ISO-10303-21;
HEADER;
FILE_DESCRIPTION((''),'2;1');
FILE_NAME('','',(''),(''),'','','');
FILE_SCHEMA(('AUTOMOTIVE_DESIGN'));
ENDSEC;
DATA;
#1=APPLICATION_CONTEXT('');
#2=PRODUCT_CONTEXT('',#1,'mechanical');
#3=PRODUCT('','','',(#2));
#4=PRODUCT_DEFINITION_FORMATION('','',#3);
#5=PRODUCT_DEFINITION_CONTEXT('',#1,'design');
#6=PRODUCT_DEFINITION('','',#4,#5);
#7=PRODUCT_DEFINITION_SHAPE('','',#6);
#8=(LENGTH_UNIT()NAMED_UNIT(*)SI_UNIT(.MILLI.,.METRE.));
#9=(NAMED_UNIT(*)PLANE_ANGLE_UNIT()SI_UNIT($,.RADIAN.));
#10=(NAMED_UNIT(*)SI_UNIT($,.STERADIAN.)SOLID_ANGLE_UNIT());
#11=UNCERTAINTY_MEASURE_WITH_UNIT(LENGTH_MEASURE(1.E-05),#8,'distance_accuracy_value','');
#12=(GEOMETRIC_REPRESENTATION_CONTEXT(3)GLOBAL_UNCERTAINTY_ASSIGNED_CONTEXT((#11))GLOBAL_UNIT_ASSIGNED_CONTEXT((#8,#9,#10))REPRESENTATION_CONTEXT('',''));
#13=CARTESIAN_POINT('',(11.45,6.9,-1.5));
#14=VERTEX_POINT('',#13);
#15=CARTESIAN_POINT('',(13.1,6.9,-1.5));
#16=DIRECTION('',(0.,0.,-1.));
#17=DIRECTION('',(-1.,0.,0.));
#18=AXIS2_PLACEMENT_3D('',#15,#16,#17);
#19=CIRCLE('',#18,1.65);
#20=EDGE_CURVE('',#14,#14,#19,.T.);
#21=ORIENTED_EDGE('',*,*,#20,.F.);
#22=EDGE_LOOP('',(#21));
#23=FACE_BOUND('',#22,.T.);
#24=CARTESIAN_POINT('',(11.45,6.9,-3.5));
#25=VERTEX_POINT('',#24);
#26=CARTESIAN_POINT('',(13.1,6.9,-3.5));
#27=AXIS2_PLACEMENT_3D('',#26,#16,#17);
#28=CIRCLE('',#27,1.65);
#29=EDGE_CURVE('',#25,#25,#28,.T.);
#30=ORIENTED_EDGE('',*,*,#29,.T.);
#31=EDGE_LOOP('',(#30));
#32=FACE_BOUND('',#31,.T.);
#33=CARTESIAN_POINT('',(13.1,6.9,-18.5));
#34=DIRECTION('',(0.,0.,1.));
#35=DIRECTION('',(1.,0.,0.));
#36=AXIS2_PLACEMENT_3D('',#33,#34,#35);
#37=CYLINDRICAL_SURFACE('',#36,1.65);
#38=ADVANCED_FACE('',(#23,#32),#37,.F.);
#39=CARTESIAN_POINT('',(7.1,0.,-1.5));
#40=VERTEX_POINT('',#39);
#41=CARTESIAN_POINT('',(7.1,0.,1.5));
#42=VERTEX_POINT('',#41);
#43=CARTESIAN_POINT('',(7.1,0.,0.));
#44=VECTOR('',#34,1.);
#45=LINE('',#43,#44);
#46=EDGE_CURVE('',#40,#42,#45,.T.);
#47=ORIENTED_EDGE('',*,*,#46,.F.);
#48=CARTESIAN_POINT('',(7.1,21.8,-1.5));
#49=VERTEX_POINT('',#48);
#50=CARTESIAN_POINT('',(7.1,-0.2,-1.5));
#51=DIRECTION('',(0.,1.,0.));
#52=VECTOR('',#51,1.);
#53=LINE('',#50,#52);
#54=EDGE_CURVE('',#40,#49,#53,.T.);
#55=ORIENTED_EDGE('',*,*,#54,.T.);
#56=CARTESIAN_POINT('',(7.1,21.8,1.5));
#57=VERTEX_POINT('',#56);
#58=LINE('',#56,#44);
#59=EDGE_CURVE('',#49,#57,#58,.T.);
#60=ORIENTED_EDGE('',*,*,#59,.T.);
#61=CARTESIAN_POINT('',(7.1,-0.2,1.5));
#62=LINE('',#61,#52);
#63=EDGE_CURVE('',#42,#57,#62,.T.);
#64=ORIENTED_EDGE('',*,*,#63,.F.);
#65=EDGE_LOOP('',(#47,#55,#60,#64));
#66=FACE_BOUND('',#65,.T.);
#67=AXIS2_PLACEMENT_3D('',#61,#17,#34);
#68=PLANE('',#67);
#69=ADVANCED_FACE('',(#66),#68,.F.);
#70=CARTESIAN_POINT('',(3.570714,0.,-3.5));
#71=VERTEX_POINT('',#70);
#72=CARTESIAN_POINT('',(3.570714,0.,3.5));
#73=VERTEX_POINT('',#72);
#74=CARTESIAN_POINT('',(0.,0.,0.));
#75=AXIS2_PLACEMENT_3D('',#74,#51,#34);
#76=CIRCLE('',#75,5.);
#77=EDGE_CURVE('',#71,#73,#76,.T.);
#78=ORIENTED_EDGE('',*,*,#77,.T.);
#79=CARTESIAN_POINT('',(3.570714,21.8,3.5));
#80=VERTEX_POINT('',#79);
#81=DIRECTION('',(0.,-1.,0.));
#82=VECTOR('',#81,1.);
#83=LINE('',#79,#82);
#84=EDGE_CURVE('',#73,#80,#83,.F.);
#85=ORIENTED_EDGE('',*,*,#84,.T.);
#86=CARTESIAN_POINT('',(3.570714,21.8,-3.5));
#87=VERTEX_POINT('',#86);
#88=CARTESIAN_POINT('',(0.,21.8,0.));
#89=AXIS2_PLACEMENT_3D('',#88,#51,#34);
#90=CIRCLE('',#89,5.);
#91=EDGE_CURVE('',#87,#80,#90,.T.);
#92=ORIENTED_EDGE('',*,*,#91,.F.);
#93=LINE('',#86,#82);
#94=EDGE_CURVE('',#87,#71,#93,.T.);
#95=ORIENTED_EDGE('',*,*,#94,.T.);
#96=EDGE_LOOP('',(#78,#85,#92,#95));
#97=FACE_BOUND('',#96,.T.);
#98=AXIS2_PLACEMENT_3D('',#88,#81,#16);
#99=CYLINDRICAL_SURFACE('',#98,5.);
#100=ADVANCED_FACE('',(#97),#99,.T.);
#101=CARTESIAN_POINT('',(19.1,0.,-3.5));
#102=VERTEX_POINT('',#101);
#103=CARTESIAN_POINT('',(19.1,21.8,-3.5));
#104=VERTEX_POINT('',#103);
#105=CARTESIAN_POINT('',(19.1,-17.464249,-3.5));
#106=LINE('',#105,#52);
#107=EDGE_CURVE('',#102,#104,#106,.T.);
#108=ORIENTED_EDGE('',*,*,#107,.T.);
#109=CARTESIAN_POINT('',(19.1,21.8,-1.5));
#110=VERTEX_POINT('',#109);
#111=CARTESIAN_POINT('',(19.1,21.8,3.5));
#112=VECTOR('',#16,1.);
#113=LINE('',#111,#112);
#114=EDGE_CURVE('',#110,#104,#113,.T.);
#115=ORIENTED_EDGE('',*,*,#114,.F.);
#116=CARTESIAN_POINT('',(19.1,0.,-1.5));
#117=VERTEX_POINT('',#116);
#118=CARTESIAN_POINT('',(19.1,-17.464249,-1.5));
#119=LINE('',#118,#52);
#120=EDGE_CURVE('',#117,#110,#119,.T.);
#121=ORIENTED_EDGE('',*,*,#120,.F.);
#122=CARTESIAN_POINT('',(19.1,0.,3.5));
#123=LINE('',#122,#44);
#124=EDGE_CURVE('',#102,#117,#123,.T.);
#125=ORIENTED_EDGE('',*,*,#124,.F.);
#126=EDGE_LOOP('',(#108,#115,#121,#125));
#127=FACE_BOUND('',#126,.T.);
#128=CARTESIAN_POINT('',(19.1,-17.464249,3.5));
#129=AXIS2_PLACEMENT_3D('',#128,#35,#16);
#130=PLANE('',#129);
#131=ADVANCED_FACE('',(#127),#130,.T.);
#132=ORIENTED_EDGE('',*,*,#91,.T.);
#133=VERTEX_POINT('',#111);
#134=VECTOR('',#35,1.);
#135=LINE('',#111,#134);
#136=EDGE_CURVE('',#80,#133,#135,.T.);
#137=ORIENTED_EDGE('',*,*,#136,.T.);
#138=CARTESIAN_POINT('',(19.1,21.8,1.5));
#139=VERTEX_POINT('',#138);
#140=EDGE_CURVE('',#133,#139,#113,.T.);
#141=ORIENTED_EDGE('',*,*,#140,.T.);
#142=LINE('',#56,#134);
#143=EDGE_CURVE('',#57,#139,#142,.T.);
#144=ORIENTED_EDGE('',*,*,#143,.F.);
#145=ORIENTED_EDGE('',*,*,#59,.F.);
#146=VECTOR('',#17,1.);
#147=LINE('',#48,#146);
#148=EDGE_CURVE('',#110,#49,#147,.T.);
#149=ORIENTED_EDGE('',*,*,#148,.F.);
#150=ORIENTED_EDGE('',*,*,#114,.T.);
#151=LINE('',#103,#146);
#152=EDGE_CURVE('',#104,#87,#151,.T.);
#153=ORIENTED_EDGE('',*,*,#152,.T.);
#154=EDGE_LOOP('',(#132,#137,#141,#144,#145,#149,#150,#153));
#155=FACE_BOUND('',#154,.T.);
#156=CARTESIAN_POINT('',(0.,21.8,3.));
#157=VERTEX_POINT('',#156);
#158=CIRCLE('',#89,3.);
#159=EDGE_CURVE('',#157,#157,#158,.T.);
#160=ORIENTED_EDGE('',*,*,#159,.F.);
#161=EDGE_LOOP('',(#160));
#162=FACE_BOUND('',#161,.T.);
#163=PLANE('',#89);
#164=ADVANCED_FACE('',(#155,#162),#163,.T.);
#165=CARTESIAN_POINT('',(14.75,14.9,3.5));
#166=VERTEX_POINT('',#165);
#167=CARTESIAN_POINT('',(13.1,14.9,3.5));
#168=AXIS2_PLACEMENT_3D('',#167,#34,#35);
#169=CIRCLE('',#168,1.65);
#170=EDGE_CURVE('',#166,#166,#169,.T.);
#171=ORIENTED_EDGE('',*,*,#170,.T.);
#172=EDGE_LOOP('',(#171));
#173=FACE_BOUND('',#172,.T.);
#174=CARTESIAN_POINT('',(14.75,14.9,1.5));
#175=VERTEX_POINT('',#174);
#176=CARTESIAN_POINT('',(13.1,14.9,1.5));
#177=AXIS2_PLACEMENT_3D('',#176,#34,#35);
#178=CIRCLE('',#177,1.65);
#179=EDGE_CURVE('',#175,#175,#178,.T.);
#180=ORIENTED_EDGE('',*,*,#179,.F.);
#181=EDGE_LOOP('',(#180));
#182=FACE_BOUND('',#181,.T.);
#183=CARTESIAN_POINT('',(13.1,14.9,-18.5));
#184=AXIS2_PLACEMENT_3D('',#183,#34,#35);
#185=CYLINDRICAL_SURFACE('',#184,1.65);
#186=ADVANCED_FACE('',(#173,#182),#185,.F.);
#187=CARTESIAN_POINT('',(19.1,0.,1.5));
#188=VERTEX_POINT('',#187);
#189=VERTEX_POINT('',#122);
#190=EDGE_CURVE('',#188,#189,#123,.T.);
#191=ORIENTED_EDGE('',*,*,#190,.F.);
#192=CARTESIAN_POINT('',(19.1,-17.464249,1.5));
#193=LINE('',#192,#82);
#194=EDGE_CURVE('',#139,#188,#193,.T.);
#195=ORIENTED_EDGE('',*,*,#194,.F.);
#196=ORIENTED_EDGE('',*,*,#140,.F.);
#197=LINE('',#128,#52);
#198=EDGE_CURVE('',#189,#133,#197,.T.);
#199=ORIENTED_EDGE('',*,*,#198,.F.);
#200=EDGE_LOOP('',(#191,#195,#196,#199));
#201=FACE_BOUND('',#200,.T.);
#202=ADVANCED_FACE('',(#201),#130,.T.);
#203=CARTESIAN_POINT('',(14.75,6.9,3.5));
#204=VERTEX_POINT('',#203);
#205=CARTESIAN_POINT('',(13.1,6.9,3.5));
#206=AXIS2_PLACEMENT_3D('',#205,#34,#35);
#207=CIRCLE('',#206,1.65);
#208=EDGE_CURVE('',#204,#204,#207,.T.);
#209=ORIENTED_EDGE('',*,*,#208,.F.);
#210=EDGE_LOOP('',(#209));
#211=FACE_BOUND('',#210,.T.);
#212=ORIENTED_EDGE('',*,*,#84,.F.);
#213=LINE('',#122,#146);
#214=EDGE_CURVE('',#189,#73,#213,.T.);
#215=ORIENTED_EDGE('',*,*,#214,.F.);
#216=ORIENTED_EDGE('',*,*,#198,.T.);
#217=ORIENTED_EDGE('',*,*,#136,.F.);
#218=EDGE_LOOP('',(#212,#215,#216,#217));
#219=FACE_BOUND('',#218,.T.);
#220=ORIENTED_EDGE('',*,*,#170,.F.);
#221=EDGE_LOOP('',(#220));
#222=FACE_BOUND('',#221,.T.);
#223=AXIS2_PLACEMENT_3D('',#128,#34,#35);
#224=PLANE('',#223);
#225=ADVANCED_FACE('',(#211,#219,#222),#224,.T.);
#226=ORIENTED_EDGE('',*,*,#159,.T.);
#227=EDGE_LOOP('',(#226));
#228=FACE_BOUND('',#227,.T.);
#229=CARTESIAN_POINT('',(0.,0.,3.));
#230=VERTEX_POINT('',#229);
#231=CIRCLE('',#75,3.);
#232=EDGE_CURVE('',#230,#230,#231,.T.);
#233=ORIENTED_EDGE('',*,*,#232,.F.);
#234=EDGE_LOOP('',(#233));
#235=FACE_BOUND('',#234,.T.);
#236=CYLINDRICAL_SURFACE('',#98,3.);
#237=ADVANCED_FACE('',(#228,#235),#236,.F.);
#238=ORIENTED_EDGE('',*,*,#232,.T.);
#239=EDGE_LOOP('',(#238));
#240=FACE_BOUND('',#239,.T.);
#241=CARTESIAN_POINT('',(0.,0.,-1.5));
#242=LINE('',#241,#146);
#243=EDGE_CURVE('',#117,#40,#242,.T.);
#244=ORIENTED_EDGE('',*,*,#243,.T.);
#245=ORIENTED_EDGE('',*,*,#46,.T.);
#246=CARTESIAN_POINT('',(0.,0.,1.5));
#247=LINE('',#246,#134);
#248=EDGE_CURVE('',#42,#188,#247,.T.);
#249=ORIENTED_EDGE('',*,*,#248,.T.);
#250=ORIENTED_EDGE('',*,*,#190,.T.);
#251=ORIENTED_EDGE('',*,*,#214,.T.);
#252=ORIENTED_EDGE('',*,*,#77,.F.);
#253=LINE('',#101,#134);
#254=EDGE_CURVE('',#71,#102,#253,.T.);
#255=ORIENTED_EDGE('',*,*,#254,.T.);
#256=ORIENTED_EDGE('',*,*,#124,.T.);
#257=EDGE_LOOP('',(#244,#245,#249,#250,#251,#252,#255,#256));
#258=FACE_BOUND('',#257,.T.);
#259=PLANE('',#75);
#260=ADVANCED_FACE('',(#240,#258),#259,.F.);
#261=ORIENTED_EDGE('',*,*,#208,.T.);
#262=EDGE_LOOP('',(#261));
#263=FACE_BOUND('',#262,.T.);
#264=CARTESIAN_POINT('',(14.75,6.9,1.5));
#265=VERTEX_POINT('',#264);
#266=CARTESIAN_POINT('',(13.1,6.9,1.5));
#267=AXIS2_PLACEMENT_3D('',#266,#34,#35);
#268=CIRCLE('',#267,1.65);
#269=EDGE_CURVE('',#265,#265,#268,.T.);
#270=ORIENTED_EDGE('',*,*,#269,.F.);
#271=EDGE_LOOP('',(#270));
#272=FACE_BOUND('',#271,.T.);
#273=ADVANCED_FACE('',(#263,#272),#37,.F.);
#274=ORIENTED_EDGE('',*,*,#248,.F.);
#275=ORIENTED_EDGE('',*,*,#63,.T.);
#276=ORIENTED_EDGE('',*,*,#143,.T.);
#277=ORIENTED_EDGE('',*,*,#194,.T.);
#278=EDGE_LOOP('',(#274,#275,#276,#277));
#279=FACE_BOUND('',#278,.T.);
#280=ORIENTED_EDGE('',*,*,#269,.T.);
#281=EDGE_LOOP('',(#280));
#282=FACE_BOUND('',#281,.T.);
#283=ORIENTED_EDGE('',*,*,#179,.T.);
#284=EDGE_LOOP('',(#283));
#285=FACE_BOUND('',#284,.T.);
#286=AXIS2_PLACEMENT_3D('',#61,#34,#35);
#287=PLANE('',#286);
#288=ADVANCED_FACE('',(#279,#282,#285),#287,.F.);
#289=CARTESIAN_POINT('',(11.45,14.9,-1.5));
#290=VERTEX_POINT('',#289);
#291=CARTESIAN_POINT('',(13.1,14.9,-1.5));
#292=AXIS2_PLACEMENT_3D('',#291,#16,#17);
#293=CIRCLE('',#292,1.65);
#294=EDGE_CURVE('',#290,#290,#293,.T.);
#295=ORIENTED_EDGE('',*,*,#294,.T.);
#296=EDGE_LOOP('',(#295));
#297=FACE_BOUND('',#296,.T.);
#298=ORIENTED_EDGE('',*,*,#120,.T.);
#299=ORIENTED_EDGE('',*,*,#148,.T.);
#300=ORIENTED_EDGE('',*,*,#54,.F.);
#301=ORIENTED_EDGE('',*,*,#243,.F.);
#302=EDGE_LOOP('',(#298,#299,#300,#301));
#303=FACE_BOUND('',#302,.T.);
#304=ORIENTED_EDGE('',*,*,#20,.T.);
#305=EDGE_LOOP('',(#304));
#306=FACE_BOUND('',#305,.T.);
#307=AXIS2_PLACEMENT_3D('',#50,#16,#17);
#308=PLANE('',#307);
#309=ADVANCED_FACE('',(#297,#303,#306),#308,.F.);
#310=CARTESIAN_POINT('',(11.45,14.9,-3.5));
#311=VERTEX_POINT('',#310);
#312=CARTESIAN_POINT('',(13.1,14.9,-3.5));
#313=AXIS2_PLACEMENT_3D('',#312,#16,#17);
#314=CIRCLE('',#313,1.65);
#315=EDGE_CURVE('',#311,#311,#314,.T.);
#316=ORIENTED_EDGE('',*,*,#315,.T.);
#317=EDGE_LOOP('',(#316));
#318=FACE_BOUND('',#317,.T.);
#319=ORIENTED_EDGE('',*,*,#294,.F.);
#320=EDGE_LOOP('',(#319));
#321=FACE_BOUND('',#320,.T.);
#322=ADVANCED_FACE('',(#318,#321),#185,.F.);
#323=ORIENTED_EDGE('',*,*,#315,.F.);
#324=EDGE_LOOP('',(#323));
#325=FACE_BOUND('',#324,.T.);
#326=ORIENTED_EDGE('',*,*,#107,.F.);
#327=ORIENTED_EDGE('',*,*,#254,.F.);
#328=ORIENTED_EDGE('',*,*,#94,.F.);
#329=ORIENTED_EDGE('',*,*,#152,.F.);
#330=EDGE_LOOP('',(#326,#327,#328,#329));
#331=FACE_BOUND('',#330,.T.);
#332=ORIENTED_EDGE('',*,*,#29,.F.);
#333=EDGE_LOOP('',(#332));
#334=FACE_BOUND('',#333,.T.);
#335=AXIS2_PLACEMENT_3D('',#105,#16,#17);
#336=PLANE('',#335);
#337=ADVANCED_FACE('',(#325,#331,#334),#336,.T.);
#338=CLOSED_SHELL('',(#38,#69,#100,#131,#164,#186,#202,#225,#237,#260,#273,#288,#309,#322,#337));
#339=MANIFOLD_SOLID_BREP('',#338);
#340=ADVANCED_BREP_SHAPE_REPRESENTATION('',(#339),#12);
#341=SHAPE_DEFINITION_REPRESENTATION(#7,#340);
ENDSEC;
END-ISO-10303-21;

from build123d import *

# Parameters (mm, degrees)
SKETCH_1_R          = 5
SKETCH_1_R_2        = 3
EXTRUDE_1_DEPTH     = 21.8
SKETCH_2_W          = 16
SKETCH_2_H          = 7
EXTRUDE_2_DEPTH     = 21.8
SKETCH_3_W          = 12
SKETCH_3_H          = 3
CUT_EXTRUDE_1_DEPTH = 22
SKETCH_4_R          = 1.65
CUT_EXTRUDE_2_DEPTH = 22


with BuildPart() as part:
    # 草图1 → 凸台-拉伸1 (new body)
    with BuildSketch(Plane(origin=(0, 0, 0), x_dir=(1, 0, 0), z_dir=(0, 1, 0))):
        with Locations(Location((0, 0, 0), (0, 0, 270))):
            Circle(SKETCH_1_R)
        with Locations(Location((0, 0, 0), (0, 0, 270))):
            Circle(SKETCH_1_R_2, mode=Mode.SUBTRACT)
    extrude(amount=EXTRUDE_1_DEPTH)

    # 草图2 → 凸台-拉伸2 (add)
    with BuildSketch(Plane(origin=(0, 21.8, 0), x_dir=(1, 0, 0), z_dir=(0, 1, 0))):
        with Locations((11.1, 0)):
            Rectangle(SKETCH_2_W, SKETCH_2_H)
    extrude(amount=-EXTRUDE_2_DEPTH)

    # 草图3 → 切除-拉伸1 (cut)
    with BuildSketch(Plane(origin=(0, 21.8, 0), x_dir=(1, 0, 0), z_dir=(0, 1, 0))):
        with Locations((13.1, 0)):
            Rectangle(SKETCH_3_W, SKETCH_3_H)
    extrude(amount=-CUT_EXTRUDE_1_DEPTH, mode=Mode.SUBTRACT)

    # 草图4 → 切除-拉伸2 (cut)
    with BuildSketch(Plane.XY.offset(3.5)):
        with Locations(Location((13.1, 14.9, 0), (0, 0, 180))):
            Circle(SKETCH_4_R)
        with Locations(Location((13.1, 6.9, 0), (0, 0, 180))):
            Circle(SKETCH_4_R)
    extrude(amount=-CUT_EXTRUDE_2_DEPTH, mode=Mode.SUBTRACT)


solid = part.part
